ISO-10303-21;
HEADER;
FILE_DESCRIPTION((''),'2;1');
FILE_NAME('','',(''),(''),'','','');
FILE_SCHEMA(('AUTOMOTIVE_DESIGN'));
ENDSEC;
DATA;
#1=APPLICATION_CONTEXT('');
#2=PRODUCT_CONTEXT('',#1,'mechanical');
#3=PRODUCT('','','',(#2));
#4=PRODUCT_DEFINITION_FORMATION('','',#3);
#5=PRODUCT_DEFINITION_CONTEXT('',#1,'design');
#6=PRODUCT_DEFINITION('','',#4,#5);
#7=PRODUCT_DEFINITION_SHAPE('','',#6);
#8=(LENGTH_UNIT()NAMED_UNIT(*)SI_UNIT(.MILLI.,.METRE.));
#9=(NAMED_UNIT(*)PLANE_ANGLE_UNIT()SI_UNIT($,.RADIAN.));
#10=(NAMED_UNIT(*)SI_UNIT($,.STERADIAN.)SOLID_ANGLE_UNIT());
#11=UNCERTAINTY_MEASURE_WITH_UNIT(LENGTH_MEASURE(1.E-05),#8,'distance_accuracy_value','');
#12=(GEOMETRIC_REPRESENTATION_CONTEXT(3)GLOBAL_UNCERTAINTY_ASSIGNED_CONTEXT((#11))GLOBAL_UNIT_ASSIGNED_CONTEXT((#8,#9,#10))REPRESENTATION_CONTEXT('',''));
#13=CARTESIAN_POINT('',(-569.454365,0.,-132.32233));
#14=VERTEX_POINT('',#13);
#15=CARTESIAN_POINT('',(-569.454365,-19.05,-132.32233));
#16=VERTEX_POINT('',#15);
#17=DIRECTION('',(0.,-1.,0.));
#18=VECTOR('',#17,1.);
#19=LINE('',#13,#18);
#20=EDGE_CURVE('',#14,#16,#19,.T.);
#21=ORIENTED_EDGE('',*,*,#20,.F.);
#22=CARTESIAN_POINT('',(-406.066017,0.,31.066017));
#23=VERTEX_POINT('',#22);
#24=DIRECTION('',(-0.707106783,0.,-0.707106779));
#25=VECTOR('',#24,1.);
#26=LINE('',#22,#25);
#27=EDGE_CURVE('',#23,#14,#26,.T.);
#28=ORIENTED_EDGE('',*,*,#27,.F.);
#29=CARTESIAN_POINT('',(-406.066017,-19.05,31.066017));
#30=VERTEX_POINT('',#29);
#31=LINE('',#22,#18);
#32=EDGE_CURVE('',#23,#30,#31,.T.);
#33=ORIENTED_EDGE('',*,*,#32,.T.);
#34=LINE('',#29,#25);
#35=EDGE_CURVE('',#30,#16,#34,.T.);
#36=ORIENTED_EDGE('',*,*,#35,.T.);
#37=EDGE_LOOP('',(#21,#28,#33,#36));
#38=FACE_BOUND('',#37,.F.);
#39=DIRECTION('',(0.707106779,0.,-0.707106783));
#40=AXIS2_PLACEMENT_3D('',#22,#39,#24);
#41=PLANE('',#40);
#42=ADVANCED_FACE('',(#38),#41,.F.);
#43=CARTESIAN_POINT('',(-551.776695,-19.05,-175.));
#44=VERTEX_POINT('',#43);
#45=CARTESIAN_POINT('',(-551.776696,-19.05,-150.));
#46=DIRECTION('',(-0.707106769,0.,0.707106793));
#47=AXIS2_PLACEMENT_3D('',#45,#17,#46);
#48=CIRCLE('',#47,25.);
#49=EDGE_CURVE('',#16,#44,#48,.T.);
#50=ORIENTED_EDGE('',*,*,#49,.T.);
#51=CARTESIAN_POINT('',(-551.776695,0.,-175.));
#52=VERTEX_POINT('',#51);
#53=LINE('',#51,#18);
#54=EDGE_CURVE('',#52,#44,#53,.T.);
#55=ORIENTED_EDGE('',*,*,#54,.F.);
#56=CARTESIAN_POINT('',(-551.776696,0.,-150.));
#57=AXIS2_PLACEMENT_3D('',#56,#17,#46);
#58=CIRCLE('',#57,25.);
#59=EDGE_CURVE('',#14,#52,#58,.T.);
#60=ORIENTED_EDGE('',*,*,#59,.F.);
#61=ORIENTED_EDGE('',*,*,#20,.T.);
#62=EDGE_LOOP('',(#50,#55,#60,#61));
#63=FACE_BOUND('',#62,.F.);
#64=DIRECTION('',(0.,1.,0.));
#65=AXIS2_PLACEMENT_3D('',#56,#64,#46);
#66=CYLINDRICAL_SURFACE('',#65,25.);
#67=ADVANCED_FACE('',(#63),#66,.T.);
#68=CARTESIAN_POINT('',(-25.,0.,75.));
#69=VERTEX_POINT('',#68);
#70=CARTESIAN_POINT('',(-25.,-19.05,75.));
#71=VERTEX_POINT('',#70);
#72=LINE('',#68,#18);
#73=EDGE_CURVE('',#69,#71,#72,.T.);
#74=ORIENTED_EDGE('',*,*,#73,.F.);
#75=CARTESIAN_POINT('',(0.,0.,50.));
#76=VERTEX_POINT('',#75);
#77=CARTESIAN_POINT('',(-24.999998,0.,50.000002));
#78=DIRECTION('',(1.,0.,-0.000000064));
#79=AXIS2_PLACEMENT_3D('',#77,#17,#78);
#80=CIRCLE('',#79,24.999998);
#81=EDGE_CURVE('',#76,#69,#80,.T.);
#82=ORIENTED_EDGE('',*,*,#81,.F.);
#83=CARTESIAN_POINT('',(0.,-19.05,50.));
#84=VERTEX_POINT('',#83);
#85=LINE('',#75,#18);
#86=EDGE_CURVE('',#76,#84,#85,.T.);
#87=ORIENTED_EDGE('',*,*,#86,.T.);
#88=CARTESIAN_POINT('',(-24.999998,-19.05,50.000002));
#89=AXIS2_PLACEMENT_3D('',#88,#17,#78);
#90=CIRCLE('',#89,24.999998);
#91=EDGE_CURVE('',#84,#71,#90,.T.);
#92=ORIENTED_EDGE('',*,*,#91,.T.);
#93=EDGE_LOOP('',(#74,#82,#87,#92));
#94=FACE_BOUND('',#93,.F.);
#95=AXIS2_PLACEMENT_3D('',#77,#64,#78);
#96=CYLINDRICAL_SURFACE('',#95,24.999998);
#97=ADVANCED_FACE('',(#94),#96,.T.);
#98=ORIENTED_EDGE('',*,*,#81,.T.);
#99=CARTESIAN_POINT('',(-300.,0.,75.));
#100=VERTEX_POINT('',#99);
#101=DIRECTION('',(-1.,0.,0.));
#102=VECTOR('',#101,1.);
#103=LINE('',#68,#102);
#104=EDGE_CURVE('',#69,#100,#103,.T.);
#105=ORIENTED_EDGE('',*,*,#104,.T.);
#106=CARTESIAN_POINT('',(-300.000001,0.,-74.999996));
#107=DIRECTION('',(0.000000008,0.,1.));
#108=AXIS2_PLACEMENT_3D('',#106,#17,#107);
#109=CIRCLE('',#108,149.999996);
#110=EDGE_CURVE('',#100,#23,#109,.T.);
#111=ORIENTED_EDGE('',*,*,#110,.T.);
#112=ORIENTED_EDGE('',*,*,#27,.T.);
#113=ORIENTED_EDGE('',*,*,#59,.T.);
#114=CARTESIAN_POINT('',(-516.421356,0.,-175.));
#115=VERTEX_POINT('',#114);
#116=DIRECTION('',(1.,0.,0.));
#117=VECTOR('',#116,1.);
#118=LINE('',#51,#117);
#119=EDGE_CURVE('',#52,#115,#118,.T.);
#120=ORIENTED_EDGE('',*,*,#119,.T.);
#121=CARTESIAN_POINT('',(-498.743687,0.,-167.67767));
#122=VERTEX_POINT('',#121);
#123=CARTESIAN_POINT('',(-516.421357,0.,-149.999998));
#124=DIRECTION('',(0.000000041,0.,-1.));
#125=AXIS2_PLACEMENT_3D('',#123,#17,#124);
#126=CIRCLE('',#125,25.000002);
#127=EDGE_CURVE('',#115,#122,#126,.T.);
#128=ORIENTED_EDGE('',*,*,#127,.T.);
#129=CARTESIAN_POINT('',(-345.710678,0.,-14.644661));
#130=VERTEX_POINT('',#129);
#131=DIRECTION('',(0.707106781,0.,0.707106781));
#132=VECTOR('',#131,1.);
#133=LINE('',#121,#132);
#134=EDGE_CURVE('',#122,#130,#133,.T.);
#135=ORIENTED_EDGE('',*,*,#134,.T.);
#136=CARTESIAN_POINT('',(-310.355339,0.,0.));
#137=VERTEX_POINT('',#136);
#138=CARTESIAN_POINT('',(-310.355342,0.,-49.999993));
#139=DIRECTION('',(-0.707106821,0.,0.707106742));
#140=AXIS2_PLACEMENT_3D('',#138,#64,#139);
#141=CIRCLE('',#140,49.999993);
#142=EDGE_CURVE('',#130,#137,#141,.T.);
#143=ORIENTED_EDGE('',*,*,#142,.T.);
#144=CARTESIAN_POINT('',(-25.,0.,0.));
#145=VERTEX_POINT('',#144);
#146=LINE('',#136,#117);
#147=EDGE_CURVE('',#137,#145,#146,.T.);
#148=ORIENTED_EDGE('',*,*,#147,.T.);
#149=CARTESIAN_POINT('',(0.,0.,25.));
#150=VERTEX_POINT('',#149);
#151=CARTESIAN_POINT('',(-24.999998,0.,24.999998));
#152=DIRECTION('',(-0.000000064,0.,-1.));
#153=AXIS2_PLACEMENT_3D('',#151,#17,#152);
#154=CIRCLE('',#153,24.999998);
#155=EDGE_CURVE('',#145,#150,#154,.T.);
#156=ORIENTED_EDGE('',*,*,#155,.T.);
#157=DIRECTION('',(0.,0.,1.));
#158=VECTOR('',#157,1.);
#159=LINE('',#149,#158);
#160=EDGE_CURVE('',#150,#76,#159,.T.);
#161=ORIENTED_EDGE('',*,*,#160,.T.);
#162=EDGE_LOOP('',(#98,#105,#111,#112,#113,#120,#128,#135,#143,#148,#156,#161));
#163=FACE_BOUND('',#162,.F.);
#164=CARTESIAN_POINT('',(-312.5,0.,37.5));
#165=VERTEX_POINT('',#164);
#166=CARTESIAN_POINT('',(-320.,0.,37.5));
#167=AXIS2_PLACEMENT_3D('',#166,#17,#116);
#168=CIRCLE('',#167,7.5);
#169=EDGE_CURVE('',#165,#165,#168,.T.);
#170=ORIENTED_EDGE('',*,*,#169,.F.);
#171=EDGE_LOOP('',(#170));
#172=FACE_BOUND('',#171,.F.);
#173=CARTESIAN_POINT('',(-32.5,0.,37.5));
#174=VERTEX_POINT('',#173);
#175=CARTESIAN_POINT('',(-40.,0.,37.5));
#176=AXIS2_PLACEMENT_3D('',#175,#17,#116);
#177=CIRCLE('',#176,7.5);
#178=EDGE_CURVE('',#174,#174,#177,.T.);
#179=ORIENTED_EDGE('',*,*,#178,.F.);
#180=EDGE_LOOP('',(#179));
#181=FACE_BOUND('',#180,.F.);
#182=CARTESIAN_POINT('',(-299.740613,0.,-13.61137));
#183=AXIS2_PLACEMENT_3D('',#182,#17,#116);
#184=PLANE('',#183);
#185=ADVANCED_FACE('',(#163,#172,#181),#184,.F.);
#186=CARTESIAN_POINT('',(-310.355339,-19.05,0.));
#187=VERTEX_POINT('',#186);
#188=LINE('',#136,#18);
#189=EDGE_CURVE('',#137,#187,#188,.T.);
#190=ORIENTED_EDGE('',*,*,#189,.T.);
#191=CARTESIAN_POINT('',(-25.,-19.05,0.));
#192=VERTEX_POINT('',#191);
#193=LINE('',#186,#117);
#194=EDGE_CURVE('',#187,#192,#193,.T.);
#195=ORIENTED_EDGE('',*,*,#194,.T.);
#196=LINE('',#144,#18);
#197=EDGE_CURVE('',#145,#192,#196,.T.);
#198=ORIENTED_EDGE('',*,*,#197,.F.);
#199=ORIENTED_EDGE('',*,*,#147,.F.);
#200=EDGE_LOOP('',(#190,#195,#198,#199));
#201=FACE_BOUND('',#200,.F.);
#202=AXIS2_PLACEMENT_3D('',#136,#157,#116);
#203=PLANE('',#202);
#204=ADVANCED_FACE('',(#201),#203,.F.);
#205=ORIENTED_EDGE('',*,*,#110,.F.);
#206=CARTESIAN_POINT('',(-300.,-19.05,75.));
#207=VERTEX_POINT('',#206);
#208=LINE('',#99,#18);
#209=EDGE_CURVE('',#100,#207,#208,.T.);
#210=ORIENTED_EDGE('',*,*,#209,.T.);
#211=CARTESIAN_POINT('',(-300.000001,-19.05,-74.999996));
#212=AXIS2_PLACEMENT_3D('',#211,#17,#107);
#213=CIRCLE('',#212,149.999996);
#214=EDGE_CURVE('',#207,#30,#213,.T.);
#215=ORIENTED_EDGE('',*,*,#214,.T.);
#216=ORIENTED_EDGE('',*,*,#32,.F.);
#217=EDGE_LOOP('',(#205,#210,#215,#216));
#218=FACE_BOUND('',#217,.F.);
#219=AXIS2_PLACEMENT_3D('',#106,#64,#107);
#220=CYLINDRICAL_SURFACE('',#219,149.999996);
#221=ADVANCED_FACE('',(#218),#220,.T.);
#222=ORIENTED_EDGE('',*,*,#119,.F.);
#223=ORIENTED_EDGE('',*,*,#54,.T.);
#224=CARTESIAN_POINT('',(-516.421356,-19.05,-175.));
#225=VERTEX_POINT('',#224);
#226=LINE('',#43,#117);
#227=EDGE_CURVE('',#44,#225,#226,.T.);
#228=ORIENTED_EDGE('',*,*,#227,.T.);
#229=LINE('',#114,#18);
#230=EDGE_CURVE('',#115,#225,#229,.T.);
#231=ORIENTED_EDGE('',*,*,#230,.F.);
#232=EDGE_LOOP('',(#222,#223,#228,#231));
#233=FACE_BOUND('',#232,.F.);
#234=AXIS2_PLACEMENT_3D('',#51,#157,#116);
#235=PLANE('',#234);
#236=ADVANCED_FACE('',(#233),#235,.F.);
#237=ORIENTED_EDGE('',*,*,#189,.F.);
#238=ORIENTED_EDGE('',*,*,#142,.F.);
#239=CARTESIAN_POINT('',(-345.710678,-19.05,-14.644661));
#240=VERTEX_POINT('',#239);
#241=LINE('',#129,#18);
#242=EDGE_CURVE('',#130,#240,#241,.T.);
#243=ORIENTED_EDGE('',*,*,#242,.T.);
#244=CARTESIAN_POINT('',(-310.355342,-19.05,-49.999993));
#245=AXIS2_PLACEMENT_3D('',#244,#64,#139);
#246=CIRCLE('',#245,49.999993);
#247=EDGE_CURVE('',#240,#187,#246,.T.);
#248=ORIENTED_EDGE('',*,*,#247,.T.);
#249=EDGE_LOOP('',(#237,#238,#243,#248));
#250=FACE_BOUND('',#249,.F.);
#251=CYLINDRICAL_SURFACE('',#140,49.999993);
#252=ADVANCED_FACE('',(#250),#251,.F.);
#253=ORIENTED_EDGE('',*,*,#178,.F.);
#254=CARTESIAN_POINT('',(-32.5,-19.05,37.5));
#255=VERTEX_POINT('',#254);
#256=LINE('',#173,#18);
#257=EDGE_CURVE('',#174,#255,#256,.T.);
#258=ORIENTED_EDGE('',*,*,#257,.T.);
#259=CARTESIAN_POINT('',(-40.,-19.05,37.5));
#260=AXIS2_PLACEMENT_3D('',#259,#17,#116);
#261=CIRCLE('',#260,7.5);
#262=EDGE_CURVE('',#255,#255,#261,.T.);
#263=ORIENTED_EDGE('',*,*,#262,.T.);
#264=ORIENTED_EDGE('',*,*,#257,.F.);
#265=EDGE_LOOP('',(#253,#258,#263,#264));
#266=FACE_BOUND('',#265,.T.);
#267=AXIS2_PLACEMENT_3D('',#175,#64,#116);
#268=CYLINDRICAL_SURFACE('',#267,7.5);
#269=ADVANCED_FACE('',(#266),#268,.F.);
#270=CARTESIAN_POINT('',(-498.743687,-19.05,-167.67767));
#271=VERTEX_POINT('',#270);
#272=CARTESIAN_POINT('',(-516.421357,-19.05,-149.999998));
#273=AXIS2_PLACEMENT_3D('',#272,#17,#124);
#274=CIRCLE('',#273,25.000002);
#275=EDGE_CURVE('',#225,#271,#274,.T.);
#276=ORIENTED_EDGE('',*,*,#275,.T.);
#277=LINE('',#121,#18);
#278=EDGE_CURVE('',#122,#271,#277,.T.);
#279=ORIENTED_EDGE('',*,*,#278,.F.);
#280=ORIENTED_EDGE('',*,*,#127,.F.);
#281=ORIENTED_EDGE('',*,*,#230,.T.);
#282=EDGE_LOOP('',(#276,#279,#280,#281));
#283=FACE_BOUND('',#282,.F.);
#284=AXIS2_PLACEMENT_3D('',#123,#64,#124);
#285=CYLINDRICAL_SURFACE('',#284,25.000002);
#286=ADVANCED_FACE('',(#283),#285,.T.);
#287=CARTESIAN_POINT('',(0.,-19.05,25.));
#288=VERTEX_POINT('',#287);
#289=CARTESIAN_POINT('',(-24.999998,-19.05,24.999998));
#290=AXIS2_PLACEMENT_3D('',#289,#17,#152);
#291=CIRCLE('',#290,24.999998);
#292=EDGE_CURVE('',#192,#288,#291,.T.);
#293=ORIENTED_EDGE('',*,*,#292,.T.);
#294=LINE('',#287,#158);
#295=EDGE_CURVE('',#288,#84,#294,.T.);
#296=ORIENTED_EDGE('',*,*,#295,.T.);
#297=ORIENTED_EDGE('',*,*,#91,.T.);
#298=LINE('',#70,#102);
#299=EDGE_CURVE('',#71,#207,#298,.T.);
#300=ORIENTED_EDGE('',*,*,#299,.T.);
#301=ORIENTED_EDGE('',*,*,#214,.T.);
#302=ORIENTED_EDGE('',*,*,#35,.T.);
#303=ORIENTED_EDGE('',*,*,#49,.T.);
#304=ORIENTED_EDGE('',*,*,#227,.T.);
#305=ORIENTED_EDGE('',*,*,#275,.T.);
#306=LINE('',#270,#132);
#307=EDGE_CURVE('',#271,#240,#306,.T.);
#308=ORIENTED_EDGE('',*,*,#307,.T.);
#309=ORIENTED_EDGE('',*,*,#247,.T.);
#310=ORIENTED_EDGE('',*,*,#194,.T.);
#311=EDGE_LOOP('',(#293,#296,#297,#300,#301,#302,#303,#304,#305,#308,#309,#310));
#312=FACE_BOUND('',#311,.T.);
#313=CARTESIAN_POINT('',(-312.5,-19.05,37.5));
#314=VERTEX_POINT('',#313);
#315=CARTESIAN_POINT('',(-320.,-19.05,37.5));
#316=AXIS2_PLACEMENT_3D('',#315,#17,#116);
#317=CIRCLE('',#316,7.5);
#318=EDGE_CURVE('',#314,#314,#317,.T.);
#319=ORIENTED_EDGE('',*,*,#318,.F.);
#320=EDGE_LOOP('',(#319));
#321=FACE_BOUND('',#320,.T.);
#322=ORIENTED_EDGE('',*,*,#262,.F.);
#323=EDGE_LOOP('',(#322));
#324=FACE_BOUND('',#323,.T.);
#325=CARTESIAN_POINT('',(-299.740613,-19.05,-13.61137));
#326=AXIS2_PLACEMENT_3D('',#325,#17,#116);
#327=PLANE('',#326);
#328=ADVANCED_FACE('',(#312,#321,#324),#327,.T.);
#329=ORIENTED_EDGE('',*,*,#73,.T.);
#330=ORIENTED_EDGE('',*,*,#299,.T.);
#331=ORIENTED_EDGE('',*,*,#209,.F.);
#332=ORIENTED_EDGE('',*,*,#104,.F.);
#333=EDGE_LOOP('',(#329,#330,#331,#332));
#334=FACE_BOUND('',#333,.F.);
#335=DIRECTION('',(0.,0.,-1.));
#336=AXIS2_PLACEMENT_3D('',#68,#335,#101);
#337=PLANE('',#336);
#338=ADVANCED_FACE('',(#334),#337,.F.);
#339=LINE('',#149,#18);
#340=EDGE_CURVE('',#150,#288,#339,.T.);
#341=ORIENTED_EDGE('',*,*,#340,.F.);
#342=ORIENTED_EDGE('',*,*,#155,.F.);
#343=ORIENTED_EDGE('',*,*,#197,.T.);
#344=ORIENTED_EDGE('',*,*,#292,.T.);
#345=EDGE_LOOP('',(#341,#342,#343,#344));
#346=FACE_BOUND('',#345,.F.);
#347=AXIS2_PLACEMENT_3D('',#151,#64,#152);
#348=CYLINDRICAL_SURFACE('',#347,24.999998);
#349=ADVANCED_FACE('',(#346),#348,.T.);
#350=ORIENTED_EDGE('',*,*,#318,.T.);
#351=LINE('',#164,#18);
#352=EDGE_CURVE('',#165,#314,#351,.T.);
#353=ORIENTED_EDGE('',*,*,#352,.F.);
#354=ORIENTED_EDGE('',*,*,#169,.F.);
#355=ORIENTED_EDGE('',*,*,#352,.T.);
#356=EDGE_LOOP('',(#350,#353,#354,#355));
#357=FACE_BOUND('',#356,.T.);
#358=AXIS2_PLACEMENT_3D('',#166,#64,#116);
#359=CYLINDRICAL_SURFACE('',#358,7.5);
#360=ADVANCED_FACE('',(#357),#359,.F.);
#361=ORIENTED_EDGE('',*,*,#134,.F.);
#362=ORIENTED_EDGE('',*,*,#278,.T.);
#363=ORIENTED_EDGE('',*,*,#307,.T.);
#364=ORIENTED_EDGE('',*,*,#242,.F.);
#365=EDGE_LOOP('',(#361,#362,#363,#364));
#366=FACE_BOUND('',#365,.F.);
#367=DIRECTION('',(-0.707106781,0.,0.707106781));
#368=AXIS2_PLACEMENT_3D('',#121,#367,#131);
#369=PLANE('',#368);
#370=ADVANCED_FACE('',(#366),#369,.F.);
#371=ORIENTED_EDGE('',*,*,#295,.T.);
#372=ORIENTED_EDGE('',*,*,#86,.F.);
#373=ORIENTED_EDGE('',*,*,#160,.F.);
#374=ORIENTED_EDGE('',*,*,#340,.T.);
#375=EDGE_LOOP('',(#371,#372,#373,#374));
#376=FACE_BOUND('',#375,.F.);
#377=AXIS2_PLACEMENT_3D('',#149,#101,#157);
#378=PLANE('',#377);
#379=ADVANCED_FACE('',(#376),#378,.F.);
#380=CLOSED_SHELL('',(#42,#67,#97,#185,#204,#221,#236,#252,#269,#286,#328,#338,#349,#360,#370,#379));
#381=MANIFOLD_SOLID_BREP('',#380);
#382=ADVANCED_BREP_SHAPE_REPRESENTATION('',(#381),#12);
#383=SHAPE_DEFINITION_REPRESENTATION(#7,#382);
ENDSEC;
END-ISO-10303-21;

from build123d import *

# Parameters (mm, degrees)
F0_R     = 7.5
F1_DEPTH = 19.05


with BuildPart() as f1:
    # F0 (on Front) → F1 (new body)
    with BuildSketch(Plane.XZ):
        with BuildLine():
            ThreePointArc((-25, 0), (-7.32233, 7.32233), (0, 25))
            Line((0, 25), (0, 50))
            ThreePointArc((0, 50), (-7.32233, 67.67767), (-25, 75))
            Line((-25, 75), (-300, 75))
            ThreePointArc((-300, 75), (-357.402515, 63.58193), (-406.066017, 31.066017))
            Line((-406.066017, 31.066017), (-569.454365, -132.32233))
            ThreePointArc((-569.454365, -132.32233), (-574.873684, -159.567086), (-551.776695, -175))
            Line((-551.776695, -175), (-516.421356, -175))
            ThreePointArc((-516.421356, -175), (-506.85427, -173.096988), (-498.743687, -167.67767))
            Line((-498.743687, -167.67767), (-345.710678, -14.644661))
            ThreePointArc((-345.710678, -14.644661), (-329.489511, -3.806023), (-310.355339, 0))
            Line((-310.355339, 0), (-25, 0))
        make_face()
        with Locations((-320, 37.5)):
            Circle(F0_R, mode=Mode.SUBTRACT)
        with Locations((-40, 37.5)):
            Circle(F0_R, mode=Mode.SUBTRACT)
    extrude(amount=F1_DEPTH)


solid = f1.part
